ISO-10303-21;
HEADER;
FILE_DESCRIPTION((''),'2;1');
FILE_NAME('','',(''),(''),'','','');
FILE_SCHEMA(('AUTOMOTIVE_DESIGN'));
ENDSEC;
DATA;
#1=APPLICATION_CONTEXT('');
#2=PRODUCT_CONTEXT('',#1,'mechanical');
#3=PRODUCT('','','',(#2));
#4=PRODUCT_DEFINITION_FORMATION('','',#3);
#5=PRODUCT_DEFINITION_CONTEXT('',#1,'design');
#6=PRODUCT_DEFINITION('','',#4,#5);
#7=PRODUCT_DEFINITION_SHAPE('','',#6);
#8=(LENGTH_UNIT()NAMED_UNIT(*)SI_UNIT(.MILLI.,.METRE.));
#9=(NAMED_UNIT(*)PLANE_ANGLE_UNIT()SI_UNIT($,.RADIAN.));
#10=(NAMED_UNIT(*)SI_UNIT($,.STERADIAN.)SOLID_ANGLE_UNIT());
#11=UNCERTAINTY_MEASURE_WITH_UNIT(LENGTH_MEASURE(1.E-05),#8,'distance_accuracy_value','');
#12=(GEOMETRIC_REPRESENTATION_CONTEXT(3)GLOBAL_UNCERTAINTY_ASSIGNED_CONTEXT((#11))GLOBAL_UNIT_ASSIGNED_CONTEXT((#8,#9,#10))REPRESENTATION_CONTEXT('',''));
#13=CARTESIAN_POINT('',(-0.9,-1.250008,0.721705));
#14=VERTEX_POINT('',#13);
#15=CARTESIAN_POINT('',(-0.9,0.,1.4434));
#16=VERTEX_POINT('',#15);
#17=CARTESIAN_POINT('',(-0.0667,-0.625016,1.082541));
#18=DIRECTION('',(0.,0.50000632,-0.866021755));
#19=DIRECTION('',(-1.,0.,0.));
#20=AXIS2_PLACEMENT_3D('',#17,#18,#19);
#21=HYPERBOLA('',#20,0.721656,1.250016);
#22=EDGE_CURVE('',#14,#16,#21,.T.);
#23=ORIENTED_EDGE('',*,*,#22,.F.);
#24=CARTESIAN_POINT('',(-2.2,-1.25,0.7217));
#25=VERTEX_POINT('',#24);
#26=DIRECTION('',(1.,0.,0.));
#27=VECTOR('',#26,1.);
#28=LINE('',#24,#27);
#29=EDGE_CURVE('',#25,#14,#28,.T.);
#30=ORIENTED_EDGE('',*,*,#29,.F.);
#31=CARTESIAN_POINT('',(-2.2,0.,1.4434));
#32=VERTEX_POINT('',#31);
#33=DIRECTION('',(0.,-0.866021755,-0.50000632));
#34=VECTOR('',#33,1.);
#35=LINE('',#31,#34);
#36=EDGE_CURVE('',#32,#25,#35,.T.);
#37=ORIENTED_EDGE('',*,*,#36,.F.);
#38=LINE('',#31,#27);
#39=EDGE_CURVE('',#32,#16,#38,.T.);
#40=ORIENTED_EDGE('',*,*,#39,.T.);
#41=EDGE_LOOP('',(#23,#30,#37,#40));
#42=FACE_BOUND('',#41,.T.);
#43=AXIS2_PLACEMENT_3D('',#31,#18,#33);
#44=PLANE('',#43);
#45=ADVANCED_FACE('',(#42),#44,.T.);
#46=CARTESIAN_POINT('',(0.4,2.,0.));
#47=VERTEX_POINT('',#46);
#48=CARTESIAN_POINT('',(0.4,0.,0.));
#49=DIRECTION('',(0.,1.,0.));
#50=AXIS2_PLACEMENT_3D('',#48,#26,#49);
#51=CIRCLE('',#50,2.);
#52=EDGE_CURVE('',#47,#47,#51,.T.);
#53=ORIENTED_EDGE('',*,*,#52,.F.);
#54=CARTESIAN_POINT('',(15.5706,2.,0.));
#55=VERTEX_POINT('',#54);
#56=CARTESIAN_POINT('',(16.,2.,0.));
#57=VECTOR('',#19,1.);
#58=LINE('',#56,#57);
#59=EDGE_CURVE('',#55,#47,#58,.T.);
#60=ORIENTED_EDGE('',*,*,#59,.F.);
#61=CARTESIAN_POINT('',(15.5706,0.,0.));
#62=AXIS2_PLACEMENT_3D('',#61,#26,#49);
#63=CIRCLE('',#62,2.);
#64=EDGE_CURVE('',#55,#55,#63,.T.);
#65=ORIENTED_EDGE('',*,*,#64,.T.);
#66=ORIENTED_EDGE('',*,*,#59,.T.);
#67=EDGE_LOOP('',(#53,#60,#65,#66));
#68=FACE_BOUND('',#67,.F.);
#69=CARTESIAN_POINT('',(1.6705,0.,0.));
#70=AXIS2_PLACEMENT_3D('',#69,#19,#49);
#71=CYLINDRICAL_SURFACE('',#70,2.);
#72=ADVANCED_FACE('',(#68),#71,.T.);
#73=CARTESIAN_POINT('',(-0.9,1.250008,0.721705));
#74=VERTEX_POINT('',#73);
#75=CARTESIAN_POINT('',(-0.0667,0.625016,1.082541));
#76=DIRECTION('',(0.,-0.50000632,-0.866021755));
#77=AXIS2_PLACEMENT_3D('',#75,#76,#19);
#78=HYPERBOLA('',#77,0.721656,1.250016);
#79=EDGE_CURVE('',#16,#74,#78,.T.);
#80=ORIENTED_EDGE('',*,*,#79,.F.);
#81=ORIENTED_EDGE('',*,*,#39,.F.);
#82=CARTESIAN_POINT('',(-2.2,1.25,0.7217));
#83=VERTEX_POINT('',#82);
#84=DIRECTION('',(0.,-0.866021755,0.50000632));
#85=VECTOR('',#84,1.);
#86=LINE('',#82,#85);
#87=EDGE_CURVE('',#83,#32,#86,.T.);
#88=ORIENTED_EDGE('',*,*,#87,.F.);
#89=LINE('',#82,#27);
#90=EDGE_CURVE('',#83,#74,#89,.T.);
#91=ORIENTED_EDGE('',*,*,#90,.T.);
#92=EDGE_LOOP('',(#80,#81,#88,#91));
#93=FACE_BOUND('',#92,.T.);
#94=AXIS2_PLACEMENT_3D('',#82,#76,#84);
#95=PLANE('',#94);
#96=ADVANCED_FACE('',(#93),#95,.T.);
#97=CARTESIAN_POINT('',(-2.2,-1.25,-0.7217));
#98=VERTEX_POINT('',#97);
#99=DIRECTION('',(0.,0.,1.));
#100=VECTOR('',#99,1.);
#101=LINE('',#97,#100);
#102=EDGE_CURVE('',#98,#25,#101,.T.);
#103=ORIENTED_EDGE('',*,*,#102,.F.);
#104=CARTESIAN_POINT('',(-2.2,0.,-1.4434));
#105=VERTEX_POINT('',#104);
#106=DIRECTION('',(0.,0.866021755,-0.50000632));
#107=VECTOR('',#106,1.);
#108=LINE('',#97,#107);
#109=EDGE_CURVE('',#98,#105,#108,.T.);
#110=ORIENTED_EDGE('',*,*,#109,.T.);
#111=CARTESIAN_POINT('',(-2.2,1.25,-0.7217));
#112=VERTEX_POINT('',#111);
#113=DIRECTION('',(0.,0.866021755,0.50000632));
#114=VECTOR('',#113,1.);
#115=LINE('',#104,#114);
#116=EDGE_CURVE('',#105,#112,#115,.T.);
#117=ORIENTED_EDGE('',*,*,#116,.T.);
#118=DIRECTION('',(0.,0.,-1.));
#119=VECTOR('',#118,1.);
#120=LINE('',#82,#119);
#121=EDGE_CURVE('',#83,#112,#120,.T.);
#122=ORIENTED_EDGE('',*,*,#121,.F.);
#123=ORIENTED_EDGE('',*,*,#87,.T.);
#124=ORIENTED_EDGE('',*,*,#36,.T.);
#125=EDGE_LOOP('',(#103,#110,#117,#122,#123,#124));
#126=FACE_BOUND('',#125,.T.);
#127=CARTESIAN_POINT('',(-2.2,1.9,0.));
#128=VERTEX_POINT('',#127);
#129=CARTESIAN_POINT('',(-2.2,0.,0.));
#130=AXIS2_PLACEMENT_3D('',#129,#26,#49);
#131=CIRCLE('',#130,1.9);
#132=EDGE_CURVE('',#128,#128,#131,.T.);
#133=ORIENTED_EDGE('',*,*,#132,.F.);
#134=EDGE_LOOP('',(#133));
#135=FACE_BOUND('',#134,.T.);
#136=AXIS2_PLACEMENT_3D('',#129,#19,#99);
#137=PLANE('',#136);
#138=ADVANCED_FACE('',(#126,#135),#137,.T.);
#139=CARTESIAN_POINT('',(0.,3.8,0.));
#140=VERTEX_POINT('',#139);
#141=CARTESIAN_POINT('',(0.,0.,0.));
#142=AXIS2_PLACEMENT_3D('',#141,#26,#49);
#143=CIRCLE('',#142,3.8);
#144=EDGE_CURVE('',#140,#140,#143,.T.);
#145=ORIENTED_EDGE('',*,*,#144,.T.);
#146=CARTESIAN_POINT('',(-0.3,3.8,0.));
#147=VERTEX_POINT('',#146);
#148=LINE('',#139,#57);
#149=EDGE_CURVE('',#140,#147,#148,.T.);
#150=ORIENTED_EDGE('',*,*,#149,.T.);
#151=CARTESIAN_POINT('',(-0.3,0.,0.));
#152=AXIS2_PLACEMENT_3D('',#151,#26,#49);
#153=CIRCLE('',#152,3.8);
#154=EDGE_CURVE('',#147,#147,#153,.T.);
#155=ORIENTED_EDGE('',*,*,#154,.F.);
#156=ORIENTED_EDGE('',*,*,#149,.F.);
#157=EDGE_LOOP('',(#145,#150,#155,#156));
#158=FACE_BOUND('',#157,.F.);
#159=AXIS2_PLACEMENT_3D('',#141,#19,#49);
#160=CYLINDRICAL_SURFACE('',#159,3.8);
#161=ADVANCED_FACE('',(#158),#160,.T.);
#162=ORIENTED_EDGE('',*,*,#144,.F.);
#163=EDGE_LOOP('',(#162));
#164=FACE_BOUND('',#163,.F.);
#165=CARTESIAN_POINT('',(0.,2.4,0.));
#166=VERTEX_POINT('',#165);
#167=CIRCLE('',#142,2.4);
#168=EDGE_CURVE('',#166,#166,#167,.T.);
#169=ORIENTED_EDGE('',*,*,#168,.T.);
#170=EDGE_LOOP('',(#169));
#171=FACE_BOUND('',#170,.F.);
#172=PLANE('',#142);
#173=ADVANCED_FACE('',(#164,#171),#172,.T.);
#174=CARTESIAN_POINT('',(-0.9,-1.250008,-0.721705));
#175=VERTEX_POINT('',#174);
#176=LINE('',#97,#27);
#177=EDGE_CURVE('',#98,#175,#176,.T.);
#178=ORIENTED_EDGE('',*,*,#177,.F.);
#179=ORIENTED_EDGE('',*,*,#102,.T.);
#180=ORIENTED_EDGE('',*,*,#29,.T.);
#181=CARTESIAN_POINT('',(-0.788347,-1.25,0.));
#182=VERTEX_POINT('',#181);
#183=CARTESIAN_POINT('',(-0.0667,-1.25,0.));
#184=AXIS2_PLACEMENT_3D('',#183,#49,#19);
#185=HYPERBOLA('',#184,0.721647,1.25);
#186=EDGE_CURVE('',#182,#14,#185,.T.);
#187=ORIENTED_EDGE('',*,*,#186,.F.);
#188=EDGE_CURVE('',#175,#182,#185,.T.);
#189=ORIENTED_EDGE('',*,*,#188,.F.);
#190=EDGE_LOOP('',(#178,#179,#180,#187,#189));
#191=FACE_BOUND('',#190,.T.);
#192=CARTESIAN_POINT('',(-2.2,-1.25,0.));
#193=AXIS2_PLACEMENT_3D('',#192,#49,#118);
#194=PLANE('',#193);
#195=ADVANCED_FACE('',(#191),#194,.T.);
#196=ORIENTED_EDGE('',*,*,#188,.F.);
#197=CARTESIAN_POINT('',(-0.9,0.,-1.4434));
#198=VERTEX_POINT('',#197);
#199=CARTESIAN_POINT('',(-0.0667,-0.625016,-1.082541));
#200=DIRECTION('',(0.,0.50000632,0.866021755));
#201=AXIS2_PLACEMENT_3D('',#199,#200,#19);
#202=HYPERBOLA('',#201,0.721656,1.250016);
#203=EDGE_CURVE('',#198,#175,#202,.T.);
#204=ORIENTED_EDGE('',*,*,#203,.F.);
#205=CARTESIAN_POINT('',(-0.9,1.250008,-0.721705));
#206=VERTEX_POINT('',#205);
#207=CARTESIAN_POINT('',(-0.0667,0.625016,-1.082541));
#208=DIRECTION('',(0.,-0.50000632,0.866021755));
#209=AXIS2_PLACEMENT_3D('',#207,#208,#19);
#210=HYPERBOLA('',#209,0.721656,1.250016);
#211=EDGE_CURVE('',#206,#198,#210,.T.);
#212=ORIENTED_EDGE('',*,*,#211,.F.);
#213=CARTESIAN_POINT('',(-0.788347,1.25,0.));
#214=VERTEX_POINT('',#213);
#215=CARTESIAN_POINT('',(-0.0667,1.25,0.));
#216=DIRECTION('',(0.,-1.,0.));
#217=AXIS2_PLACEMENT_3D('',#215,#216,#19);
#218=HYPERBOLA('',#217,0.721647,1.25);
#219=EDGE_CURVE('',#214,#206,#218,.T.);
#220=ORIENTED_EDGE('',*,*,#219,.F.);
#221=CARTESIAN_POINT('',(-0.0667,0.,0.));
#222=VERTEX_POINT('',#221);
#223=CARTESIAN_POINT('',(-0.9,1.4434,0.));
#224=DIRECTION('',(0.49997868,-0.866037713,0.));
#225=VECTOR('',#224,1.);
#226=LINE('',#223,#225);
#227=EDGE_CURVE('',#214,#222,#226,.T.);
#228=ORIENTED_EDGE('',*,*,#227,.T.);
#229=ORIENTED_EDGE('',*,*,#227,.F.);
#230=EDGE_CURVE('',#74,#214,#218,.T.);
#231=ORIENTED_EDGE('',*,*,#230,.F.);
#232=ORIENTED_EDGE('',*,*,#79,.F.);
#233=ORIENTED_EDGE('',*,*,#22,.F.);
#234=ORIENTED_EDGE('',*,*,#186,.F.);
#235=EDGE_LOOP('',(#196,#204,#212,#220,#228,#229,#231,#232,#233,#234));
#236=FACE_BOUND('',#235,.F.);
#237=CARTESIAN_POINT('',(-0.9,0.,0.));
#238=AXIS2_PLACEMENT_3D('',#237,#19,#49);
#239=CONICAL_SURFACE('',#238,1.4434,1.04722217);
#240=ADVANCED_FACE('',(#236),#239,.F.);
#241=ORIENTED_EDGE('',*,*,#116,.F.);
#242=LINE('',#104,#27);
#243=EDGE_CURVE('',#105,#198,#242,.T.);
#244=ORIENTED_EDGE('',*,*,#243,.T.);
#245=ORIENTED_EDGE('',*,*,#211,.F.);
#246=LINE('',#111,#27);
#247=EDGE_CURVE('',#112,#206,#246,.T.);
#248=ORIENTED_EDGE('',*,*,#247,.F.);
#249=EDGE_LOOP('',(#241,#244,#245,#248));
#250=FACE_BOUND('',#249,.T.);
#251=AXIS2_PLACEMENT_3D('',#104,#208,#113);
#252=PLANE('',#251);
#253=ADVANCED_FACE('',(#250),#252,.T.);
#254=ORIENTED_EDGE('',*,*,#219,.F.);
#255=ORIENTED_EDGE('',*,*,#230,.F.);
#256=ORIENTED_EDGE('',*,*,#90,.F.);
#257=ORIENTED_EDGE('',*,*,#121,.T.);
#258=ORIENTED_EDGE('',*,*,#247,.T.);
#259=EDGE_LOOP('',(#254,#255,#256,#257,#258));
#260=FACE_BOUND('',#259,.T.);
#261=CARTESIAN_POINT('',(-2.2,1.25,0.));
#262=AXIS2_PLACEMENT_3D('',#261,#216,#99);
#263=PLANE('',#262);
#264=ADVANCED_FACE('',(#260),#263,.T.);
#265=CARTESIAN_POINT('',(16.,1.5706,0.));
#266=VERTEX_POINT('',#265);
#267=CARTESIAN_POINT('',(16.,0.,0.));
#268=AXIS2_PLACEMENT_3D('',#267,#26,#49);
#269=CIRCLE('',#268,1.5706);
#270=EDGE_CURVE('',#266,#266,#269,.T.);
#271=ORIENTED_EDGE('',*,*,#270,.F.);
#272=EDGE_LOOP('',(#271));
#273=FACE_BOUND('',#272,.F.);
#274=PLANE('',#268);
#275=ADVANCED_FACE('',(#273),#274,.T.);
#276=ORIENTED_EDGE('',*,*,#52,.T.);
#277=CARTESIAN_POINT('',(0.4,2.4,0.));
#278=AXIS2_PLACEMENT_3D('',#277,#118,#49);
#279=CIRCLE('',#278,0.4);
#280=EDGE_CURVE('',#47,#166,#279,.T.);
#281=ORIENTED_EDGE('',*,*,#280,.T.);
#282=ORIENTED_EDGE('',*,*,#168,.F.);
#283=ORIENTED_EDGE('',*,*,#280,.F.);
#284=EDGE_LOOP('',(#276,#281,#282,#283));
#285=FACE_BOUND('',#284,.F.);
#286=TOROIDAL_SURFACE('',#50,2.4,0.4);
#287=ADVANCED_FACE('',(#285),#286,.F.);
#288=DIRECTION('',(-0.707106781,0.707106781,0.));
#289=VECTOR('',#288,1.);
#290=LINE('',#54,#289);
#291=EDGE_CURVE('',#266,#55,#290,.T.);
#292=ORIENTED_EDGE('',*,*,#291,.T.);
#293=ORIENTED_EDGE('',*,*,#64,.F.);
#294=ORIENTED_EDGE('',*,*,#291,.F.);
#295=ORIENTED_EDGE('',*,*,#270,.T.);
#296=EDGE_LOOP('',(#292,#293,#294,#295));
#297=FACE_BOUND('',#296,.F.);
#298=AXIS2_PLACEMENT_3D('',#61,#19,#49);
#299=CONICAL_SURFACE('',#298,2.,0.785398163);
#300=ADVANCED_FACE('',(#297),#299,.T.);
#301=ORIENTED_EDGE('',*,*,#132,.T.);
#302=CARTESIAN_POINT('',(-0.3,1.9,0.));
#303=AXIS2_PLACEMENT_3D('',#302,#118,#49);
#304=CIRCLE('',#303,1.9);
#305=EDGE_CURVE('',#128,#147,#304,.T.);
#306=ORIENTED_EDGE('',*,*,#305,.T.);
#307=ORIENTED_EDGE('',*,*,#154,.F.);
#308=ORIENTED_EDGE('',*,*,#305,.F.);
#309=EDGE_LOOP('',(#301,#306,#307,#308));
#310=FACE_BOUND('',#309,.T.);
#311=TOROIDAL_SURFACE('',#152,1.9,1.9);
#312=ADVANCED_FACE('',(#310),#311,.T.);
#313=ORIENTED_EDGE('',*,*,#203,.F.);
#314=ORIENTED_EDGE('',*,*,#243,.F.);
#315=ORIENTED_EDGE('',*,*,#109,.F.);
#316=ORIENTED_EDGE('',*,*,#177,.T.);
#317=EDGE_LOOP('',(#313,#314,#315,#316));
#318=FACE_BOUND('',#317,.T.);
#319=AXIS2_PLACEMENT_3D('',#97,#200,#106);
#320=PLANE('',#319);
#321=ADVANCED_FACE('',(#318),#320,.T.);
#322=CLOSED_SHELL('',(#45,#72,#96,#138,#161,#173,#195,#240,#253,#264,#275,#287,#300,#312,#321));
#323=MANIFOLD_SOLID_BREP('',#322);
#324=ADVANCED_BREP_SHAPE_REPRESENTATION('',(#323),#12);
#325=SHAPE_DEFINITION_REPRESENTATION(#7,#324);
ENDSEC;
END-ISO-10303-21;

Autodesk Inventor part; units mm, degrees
ref_plane "YZ Plane" through (0, 0, 0) normal (1, 0, 0) x (0, 1, 0)
ref_plane "XZ Plane" through (0, 0, 0) normal (0, 1, 0) x (-1, 0, 0)
sketch "Sketch1" plane through (0, 0, 0) normal (0, 0, 1) x (1, 0, 0)
  line L0 (-0.0667, 0) -> (16, 0)
  line L1 (16, 0) -> (16, 2)
  line L2 (16, 2) -> (2.1, 2)
  line L3 (2.1, 2) -> (1.6705, 2)
  line L4 (1.6705, 2) -> (0, 2)
  line L5 (0, 2) -> (0, 3.8)
  line L6 (0, 3.8) -> (-2.2, 3.8)
  line L7 (-2.2, 3.8) -> (-2.2, 1.4434)
  line L8 (-2.2, 1.4434) -> (-0.9, 1.4434)
  line L9 (-0.9, 1.4434) -> (-0.0667, 0)
  line L10 (-5.84, 0) -> (19.64, 0) projected
  line L11 (0, -0.76) -> (0, 4.56) projected
  line L12 (2.1, 2) -> (0, 2) construction
  dimension "d1" = 13.9
  dimension "d2" = 0.4295
  dimension "d3" = 2.2
  dimension "d4" = 1.3
  dimension "d5" = 60
  dimension "d6" = 4
  dimension "d7" = 4
  dimension "d8" = 2.8868
  dimension "d9" = 7.6
  dimension "d26" = 16
revolve "Body" add sketch "Sketch1" angle 360 about axis through (-0.0667, 0, 0) along (1, 0, 0)
sketch "Sketch2" plane through (-2.2, 0, 0) normal (-1, 0, 0) x (0, 0, 1)
  circle A0 centre (0, 0) radius 1.4434 projected
  line L0 (0, -5.32) -> (0, 5.32) projected
  line L1 (-5.32, 0) -> (5.32, 0) projected
  line L2 (1.4434, 0) -> (0.7217, -1.25)
  line L3 (0.7217, -1.25) -> (-0.7217, -1.25)
  line L4 (-0.7217, -1.25) -> (-1.4434, 0)
  line L5 (-1.4434, 0) -> (-0.7217, 1.25)
  line L6 (-0.7217, 1.25) -> (0.7217, 1.25)
  line L7 (0.7217, 1.25) -> (1.4434, 0)
  point P0 (0, 0)
extrude "Slot" add sketch "Sketch2" against normal up to next contours L7 A0 | A0 L2 | L6 L0 A0 | A0 L0 L3 | L0 L6 A0 | A0 L3 L0 | L4 A0 | A0 L5
fillet "Fillet1" radius 1.9 1 edges at (-2.2, -3.8, 0)
thread "Thread" size "M4x0.7" class "6g" standard "ISO Metric profile" length 13.9
chamfer "Chamfer1" distance 0.4294 distance2 0.4294 1 edges at (16, -2, 0) measured on face at (16, 0.527, -0.2661)
ref_plane "Work Plane1" through (29, 0, 0) normal (0, -1, 0) x (1, 0, 0)
fillet "Fillet2" radius 0.4 1 edges at (0, -2, 0)
equation "\"d1\" = GEL"
equation "\"d3\" = KOH"
equation "\"d4\" = INTI"
equation "\"d6\" = GD"
equation "\"d7\" = BDM"
equation "\"d8\" = 1.1547 * SW"
equation "\"d9\" = KOD"
equation "\"d26\" = NLG"
equation "\"d30\" = R"
equation "\"d17\" = RR"
equation "\"d13\" = GEL"
equation "\"d15\" = -0.5 * SPD + 0.5 * GD"
equation "\"d16\" = GUL"
equation "\"GD\" = NND"
equation "\"NLG\" = 16"
equation "\"GEL\" = 13.9"
equation "\"KOD\" = 7.6"
equation "\"KOH\" = 2.2"
equation "\"INTI\" = 1.3"
equation "\"GAL\" = 0.61345 * PTC"
equation "\"GUL\" = 0.61345 * PTC"
equation "\"BDM\" = NND"
equation "\"SW\" = 2.5"
equation "\"RR\" = 1.9"
equation "\"SPD\" = NND - 1.2269 * PTC"
equation "\"R\" = 0.4"
equation "\"TOA\" = 30deg"
equation "\"GD1\" = THREADDIA - 1.2269 * PTC"
equation "\"THREADDIA\" = 4"
equation "\"PTC\" = 0.7"
equation "\"NND\" = 4"
equation "\"KOH1\" = 0.3"
equation "\"E0\" = 2.873"
properties part number "ISO 7380-1 - M4 x 16" material "Steel"
